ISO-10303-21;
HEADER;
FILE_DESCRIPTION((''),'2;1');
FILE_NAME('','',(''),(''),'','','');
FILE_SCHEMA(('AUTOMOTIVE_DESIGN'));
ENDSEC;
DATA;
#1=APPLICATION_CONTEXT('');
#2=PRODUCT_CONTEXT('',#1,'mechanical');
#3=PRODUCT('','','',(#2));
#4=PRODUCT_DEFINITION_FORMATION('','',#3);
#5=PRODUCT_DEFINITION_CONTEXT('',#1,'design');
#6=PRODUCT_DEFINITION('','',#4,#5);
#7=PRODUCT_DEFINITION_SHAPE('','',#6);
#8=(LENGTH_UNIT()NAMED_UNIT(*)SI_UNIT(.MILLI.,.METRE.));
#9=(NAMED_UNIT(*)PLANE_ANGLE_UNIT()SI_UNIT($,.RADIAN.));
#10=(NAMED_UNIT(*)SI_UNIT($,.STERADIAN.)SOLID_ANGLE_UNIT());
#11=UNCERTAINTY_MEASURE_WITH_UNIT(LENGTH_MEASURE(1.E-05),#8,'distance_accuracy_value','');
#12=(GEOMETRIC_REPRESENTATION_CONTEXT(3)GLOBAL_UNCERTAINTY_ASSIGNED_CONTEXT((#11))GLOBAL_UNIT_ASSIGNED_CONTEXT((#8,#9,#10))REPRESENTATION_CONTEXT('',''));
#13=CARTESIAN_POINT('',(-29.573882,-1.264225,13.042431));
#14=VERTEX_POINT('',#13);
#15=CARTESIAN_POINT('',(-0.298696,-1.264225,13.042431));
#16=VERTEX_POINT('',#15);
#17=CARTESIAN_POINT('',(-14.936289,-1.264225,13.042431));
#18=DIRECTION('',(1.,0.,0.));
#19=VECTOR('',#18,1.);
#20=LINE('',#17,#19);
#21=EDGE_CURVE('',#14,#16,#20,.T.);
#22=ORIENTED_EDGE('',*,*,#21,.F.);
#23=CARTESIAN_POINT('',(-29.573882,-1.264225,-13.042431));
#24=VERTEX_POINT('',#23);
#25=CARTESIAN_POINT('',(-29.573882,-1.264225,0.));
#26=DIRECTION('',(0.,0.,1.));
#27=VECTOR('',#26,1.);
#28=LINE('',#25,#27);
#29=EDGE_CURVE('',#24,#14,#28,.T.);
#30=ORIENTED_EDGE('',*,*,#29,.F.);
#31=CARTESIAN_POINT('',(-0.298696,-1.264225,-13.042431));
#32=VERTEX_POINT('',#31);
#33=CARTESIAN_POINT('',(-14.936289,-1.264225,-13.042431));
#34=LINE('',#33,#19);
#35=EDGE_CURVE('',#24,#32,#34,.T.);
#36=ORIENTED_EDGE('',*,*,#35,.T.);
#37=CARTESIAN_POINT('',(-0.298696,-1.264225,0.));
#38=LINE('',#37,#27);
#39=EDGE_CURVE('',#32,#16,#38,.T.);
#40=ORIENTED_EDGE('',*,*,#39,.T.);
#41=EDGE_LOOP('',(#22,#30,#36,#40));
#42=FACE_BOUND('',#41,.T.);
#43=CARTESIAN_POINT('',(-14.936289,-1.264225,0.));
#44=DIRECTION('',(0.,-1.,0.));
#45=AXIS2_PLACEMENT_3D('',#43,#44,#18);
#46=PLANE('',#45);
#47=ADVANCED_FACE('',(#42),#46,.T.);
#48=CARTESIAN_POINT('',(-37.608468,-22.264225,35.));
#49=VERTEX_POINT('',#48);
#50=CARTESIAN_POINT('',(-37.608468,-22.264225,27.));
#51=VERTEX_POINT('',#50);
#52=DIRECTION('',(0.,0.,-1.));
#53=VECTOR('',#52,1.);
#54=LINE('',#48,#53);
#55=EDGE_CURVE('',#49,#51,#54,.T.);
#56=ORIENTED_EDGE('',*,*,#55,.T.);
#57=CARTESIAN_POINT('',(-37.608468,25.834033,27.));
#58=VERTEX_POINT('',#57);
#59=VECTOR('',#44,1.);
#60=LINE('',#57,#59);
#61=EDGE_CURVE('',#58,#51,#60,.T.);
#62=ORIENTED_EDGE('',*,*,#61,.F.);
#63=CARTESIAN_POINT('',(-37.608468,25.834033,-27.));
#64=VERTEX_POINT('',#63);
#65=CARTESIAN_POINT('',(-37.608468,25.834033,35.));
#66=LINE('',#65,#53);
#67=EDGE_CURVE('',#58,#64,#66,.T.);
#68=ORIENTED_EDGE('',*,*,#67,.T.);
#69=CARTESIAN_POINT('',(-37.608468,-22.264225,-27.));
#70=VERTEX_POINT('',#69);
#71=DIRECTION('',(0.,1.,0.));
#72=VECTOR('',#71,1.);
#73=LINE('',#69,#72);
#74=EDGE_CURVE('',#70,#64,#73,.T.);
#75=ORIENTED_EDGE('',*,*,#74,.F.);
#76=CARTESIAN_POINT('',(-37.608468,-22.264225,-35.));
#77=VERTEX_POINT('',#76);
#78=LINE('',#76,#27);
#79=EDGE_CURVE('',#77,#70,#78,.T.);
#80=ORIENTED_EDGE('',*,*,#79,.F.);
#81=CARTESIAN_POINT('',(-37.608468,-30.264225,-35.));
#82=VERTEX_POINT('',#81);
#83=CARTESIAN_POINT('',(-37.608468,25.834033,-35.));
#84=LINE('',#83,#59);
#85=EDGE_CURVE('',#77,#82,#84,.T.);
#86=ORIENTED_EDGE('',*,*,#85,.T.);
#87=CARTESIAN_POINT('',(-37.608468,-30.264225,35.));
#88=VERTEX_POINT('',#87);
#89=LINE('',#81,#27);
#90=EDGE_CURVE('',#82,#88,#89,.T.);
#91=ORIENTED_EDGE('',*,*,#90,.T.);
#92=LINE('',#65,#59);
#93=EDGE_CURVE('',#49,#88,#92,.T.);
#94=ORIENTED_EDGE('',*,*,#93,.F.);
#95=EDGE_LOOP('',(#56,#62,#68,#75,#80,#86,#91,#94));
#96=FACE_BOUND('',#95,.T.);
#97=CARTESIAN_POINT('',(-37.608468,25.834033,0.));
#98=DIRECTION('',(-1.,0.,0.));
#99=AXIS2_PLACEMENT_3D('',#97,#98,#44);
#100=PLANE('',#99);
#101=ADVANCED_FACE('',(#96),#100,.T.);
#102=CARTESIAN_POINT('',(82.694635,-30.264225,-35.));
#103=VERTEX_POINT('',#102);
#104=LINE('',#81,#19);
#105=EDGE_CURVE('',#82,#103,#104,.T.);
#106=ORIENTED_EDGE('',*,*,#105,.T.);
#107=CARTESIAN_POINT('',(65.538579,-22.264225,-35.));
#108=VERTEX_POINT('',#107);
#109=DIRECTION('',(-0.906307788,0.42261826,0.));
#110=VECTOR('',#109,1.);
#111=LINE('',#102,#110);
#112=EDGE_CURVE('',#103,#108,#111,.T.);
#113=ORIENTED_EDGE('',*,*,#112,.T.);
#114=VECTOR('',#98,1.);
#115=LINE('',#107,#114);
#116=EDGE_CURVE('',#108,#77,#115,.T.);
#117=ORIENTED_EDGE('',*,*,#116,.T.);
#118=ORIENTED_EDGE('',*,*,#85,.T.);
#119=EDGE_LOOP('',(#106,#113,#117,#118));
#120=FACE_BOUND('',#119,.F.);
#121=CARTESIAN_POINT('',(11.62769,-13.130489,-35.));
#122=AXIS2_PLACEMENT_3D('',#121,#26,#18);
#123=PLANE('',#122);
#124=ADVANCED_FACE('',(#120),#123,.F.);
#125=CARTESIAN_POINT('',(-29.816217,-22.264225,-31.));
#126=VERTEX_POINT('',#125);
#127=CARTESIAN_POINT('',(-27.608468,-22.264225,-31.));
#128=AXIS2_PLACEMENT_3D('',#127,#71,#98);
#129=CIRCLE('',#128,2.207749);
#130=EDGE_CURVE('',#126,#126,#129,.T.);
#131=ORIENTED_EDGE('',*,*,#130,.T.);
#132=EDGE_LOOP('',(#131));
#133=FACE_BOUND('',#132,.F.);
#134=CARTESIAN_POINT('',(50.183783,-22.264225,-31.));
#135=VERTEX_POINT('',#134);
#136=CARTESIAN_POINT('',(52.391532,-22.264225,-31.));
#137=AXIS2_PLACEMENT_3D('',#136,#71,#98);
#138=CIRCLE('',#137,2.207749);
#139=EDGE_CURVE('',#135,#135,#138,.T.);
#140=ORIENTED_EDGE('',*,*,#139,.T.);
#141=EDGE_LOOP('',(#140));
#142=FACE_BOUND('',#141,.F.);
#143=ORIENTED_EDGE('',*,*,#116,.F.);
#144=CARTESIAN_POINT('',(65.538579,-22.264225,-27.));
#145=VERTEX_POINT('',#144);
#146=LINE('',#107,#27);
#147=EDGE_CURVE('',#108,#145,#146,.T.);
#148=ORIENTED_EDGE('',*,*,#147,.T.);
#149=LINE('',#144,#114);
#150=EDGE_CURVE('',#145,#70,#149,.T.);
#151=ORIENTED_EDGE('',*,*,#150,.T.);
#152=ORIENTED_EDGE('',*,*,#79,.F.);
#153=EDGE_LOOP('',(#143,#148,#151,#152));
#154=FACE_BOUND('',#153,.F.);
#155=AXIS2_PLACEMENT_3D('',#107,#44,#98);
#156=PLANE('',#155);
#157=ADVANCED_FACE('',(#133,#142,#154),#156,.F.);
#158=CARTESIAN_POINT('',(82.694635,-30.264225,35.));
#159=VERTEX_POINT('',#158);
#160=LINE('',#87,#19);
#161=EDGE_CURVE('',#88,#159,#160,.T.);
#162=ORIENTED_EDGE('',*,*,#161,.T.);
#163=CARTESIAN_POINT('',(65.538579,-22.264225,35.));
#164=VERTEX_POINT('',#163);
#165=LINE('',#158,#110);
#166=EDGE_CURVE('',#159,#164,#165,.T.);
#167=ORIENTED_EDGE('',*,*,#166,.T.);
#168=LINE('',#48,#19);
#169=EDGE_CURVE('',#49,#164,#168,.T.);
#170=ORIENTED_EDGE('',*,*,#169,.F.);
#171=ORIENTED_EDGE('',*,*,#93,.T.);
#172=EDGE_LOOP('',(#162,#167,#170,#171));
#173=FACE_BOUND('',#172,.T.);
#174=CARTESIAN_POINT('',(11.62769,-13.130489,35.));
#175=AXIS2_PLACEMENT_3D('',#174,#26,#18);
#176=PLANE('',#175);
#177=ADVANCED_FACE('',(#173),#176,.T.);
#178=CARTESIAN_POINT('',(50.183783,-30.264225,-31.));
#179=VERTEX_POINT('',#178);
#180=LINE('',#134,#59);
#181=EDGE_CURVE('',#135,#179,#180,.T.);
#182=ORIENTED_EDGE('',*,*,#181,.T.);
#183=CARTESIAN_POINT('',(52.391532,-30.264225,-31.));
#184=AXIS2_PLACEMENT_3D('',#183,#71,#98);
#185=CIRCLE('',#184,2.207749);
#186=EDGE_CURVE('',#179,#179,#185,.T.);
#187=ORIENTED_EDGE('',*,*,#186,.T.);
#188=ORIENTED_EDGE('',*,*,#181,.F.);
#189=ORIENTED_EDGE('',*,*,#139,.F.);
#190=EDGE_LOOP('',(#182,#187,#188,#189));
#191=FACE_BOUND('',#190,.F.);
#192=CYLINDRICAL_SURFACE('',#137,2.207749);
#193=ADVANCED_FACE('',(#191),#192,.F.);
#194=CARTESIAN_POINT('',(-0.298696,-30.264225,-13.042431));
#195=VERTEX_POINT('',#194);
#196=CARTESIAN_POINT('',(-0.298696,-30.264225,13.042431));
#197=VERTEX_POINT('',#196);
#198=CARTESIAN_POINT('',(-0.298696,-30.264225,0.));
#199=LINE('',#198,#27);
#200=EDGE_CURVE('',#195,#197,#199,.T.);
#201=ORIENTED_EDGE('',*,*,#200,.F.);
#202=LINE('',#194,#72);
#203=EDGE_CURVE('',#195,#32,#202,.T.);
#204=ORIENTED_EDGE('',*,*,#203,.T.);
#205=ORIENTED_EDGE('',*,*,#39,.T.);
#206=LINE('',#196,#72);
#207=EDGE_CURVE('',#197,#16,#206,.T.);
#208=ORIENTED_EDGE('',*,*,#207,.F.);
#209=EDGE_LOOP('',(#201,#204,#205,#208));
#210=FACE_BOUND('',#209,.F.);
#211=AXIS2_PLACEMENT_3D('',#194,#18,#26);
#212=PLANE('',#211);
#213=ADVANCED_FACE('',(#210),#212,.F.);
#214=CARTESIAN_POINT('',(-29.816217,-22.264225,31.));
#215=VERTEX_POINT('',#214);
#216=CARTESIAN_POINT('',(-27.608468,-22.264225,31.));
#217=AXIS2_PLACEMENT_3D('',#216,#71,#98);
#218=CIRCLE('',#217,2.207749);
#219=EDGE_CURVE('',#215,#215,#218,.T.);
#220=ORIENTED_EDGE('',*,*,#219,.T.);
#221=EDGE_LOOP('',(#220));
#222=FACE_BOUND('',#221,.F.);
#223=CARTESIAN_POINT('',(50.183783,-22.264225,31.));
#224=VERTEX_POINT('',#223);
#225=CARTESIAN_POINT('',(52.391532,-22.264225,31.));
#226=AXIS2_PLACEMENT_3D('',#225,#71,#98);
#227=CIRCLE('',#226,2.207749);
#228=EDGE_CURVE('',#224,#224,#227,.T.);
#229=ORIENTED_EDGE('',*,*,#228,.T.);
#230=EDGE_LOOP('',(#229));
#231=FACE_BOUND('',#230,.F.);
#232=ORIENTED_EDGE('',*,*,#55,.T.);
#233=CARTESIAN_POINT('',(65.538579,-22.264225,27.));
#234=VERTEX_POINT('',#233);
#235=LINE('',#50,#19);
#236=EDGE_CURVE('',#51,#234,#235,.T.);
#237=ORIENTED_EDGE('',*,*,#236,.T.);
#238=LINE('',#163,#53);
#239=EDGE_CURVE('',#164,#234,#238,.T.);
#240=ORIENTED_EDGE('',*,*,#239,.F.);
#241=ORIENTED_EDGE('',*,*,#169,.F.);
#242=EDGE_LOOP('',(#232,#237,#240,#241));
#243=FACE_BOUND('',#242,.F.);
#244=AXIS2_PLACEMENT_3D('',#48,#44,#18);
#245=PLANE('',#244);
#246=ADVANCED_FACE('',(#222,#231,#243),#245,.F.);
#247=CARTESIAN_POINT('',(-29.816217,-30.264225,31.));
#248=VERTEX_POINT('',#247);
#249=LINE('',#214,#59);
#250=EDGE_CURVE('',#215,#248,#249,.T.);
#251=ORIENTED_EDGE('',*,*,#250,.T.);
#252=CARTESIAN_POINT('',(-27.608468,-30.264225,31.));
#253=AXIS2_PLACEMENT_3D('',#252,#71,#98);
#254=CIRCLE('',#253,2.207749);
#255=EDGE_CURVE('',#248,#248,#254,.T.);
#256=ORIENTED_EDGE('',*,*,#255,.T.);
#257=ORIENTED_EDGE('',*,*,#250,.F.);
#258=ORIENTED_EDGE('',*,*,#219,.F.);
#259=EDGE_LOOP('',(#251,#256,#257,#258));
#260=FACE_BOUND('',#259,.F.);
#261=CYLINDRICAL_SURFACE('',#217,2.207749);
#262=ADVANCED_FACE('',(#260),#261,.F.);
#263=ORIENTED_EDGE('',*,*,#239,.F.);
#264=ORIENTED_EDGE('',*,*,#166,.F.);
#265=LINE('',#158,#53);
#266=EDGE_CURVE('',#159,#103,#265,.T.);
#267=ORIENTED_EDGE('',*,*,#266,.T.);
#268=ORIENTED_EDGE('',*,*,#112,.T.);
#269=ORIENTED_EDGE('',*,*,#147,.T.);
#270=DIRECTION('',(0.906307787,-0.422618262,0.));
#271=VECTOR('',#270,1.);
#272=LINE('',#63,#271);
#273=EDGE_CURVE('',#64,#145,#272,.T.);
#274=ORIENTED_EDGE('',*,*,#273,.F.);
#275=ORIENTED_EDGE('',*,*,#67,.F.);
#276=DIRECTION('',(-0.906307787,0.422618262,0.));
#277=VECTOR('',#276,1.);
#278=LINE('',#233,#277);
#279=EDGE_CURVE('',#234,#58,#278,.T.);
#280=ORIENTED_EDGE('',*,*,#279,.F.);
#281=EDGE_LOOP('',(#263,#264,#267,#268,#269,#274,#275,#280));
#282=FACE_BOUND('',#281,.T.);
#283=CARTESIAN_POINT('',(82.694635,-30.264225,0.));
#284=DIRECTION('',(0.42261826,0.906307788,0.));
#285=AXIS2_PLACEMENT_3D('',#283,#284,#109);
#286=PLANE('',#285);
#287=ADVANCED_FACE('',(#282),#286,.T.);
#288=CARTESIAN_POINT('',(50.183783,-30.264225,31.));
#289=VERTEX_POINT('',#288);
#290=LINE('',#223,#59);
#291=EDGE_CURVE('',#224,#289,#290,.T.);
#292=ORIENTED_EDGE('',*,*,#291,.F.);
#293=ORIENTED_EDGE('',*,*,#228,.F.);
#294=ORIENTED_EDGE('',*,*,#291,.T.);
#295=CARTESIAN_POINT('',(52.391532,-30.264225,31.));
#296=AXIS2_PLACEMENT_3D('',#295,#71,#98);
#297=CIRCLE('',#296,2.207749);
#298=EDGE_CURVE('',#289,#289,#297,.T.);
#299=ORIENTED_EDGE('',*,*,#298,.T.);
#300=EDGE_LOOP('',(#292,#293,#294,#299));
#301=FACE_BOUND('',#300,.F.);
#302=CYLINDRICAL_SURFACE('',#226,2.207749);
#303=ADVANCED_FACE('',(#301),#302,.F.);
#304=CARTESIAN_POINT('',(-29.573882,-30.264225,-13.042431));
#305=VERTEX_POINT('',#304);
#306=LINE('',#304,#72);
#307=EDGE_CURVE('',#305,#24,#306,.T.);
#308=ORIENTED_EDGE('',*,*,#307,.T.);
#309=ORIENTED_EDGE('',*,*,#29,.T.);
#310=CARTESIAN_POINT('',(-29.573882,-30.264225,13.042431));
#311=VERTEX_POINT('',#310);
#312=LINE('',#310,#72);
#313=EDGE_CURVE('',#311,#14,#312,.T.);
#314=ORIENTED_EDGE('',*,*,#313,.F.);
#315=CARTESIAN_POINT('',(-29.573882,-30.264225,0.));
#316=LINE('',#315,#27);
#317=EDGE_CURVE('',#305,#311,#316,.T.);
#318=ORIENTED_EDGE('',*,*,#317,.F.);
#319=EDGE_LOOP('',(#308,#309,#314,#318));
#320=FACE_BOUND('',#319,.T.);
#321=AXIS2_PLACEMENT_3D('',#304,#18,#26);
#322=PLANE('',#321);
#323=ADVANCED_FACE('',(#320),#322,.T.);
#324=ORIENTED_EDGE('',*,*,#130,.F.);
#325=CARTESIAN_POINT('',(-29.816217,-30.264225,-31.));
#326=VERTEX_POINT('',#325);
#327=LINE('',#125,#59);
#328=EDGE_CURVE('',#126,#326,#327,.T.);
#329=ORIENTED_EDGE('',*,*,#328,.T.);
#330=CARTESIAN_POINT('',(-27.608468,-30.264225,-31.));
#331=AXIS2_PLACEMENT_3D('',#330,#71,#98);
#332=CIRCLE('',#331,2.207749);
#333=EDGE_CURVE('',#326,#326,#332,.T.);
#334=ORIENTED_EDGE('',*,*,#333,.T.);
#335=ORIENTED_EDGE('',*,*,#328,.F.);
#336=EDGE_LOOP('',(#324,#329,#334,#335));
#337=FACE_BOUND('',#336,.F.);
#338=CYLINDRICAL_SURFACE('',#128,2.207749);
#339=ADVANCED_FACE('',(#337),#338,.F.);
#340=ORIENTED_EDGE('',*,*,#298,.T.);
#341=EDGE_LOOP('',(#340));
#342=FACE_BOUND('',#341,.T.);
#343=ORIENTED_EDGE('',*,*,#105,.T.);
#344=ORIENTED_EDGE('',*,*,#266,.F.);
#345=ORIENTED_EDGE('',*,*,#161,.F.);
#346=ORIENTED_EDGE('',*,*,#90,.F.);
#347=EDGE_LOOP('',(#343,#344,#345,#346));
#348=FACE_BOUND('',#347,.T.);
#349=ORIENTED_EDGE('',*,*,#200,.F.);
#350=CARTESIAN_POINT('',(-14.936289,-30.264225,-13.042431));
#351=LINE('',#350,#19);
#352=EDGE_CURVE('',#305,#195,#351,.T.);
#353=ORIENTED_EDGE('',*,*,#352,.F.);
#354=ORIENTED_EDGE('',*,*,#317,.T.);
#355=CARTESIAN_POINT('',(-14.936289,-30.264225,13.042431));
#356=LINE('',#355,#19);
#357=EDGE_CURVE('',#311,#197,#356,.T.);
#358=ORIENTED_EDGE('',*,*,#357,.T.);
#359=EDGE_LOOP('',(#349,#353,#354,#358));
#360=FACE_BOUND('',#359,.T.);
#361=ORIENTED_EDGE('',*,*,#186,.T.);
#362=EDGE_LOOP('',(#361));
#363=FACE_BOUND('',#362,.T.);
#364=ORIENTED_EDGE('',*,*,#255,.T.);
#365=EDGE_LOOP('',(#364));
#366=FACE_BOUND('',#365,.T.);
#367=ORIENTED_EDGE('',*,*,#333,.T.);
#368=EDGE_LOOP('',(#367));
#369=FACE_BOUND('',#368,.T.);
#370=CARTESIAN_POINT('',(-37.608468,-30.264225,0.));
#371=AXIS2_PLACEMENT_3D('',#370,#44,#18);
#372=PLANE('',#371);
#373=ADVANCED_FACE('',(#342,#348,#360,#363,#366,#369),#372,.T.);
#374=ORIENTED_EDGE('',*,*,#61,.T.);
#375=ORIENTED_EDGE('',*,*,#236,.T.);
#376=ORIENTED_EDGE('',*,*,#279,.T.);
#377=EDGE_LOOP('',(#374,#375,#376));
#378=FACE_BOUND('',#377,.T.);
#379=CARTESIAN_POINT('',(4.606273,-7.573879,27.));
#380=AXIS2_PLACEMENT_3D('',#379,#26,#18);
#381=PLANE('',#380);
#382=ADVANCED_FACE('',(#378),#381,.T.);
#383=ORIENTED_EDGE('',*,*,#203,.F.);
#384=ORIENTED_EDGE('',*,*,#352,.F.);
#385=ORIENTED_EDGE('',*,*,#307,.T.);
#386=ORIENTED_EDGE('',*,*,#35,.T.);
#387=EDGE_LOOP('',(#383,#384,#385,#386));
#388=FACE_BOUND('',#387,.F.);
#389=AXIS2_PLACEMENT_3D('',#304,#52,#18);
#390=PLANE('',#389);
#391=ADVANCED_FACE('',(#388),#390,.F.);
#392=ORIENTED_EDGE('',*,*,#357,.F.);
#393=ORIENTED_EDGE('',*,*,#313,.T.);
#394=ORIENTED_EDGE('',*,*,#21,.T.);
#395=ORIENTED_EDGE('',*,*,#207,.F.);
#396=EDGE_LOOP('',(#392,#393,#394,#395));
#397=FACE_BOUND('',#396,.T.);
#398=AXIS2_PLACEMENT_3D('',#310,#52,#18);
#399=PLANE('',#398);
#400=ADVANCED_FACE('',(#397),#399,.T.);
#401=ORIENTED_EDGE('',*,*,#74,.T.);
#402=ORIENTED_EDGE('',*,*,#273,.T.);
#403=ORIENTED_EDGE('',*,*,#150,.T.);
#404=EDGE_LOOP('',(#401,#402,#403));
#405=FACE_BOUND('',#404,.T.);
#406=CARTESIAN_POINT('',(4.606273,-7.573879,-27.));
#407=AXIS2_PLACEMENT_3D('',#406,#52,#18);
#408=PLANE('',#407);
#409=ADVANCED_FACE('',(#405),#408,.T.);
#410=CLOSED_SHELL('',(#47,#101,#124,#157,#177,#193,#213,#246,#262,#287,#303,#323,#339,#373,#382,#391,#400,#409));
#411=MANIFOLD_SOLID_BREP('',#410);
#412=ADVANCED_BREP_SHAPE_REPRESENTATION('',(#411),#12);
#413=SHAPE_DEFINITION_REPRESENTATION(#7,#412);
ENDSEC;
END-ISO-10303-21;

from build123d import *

# Parameters (mm, degrees)
PAD_DEPTH       = 35
POCKET_DEPTH    = 8
POCKET001_DEPTH = 8
SKETCH003_R     = 2.207749
POCKET002_DEPTH = 8.001
SKETCH004_W     = 29.275187
SKETCH004_H     = 26.084862
POCKET003_DEPTH = 29


with BuildPart() as part:
    # Sketch → Pad (new body, symmetric)
    with BuildSketch(Plane.XY):
        Polygon((-37.608468, 25.834033), (-37.608468, -30.264225), (82.694635, -30.264225), align=None)
    extrude(amount=PAD_DEPTH, both=True)

    # Sketch001 → Pocket (cut)
    with BuildSketch(Plane.XY.offset(35)):
        Polygon((-37.608468, 25.834033), (-37.608468, -22.264225), (65.538579, -22.264225), align=None)
    extrude(amount=-POCKET_DEPTH, mode=Mode.SUBTRACT)

    # Sketch002 → Pocket001 (cut)
    with BuildSketch(Plane(origin=(0, 0, -35), x_dir=(1, 0, 0), z_dir=(0, 0, -1))):
        Polygon((65.538579, 22.264225), (-37.608468, 22.264225), (-37.608468, -25.834033), align=None)
    extrude(amount=-POCKET001_DEPTH, mode=Mode.SUBTRACT)

    # Sketch003 → Pocket002 (cut, through all)
    with BuildSketch(Plane(origin=(0, -22.264225, 0), x_dir=(-1, 0, 0), z_dir=(0, 1, 0))):
        with Locations((-52.391532, 31)):
            Circle(SKETCH003_R)
        with Locations((27.608468, 31)):
            Circle(SKETCH003_R)
        with Locations((-52.391532, -31)):
            Circle(SKETCH003_R)
        with Locations((27.608468, -31)):
            Circle(SKETCH003_R)
    extrude(amount=-POCKET002_DEPTH, mode=Mode.SUBTRACT)

    # Sketch004 → Pocket003 (cut)
    with BuildSketch(Plane.XZ.offset(30.264225)):
        with Locations((-14.936289, 0)):
            Rectangle(SKETCH004_W, SKETCH004_H)
    extrude(amount=-POCKET003_DEPTH, mode=Mode.SUBTRACT)


solid = part.part
